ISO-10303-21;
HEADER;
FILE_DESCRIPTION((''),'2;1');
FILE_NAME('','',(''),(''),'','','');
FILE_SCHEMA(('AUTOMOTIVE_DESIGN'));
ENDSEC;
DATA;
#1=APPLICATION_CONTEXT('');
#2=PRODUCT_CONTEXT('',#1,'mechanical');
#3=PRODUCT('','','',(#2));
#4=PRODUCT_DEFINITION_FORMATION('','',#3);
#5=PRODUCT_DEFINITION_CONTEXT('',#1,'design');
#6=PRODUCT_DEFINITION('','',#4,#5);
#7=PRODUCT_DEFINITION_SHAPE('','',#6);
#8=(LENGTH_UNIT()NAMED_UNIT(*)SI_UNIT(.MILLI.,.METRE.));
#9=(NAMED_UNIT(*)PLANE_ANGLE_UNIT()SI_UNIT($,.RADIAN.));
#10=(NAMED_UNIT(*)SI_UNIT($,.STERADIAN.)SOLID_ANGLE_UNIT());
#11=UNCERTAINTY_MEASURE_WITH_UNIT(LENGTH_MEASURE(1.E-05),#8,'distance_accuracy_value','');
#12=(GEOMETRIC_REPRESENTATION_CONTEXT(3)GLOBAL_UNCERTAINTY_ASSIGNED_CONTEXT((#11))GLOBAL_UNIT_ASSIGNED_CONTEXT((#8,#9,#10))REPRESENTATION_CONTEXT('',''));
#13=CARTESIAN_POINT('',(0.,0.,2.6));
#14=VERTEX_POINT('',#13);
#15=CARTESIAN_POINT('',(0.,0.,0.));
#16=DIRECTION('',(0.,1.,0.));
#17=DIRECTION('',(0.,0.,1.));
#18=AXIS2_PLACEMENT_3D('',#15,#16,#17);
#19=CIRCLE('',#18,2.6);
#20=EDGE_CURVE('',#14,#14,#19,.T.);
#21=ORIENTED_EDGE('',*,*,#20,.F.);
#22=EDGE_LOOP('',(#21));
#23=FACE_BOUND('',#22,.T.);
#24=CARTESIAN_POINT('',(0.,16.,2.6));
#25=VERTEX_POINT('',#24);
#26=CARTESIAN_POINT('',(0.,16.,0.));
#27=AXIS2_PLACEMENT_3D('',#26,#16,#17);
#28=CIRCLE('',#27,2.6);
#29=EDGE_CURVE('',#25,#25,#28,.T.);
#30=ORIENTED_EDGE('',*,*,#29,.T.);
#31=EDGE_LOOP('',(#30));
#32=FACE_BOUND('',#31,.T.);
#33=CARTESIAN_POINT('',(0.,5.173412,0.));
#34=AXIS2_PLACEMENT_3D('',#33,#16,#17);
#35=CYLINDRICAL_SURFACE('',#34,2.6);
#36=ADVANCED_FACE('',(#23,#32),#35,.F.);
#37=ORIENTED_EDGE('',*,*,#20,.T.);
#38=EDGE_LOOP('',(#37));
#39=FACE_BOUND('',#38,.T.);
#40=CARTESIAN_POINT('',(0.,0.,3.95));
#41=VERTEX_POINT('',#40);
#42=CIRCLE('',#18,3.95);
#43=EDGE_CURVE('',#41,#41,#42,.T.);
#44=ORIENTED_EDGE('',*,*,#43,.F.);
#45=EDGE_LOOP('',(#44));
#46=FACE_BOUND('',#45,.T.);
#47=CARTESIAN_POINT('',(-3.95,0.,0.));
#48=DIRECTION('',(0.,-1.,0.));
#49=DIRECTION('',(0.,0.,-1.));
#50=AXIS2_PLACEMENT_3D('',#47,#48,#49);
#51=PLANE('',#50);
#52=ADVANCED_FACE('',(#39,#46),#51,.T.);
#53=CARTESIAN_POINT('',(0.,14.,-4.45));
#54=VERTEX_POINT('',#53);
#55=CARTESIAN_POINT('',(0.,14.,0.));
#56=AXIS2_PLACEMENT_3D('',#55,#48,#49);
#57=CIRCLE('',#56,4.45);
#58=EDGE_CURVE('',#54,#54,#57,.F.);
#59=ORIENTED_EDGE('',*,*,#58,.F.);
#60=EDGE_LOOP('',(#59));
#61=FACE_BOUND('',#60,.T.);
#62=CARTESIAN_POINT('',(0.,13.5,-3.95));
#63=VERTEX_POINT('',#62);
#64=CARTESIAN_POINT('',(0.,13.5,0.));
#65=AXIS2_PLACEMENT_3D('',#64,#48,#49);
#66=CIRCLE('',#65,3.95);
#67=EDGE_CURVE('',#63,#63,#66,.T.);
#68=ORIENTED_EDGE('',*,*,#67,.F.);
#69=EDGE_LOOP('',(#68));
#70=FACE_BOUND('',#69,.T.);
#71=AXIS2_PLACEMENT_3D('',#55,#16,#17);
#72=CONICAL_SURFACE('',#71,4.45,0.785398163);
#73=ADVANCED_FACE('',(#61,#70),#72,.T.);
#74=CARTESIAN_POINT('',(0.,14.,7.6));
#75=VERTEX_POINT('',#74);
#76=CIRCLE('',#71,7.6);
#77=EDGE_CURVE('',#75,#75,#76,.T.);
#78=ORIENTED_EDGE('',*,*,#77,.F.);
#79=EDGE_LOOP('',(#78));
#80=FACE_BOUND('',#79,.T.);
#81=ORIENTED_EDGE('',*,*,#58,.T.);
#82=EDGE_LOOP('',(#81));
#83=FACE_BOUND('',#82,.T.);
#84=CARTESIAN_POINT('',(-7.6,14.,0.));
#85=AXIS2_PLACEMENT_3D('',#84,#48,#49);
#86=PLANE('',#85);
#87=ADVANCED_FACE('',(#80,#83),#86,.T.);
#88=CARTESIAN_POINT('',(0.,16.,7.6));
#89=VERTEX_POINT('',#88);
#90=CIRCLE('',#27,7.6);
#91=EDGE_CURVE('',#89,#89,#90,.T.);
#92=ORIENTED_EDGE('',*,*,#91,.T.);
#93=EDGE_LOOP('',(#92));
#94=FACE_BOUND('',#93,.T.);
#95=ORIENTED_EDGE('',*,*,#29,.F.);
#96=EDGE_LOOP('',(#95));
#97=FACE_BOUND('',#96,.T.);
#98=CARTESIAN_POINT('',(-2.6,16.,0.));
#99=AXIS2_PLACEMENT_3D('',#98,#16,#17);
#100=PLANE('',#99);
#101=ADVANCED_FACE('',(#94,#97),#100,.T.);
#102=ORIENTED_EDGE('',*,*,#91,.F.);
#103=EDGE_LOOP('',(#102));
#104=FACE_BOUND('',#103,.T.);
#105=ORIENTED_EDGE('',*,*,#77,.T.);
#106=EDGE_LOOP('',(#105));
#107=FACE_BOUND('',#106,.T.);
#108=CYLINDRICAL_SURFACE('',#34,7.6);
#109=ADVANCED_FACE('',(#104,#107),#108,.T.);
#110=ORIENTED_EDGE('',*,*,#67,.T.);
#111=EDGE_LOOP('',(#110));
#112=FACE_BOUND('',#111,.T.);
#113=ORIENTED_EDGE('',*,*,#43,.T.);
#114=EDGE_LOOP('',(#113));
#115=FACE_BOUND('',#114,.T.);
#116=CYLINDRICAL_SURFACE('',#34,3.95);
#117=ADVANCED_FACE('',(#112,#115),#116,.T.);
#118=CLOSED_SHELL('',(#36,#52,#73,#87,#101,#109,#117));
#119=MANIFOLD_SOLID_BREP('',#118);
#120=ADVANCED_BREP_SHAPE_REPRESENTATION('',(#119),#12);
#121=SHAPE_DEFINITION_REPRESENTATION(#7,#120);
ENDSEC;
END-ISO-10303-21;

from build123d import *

# Parameters (mm, degrees)
CHAMFER1_SIZE = 0.5


with BuildPart() as part:
    # Sketch1 → Revolve1 (revolve)
    with BuildSketch(Plane.XY, mode=Mode.PRIVATE) as revolve1_sk:
        Polygon((-2.6, 0), (-2.6, 16), (-7.6, 16), (-7.6, 14), (-3.95, 14), (-3.95, 0), align=None)
    revolve(revolve1_sk.sketch.rotate(Axis((0, 5.173411558, 0), (0, -1, 0)), 270), axis=Axis((0, 5.173411558, 0), (0, -1, 0)))

    # Chamfer1
    chamfer1_edges = [part.edges().sort_by_distance(p)[0] for p in [
        (0, 14, -3.95),
    ]]
    chamfer(chamfer1_edges, length=CHAMFER1_SIZE)


solid = part.part
